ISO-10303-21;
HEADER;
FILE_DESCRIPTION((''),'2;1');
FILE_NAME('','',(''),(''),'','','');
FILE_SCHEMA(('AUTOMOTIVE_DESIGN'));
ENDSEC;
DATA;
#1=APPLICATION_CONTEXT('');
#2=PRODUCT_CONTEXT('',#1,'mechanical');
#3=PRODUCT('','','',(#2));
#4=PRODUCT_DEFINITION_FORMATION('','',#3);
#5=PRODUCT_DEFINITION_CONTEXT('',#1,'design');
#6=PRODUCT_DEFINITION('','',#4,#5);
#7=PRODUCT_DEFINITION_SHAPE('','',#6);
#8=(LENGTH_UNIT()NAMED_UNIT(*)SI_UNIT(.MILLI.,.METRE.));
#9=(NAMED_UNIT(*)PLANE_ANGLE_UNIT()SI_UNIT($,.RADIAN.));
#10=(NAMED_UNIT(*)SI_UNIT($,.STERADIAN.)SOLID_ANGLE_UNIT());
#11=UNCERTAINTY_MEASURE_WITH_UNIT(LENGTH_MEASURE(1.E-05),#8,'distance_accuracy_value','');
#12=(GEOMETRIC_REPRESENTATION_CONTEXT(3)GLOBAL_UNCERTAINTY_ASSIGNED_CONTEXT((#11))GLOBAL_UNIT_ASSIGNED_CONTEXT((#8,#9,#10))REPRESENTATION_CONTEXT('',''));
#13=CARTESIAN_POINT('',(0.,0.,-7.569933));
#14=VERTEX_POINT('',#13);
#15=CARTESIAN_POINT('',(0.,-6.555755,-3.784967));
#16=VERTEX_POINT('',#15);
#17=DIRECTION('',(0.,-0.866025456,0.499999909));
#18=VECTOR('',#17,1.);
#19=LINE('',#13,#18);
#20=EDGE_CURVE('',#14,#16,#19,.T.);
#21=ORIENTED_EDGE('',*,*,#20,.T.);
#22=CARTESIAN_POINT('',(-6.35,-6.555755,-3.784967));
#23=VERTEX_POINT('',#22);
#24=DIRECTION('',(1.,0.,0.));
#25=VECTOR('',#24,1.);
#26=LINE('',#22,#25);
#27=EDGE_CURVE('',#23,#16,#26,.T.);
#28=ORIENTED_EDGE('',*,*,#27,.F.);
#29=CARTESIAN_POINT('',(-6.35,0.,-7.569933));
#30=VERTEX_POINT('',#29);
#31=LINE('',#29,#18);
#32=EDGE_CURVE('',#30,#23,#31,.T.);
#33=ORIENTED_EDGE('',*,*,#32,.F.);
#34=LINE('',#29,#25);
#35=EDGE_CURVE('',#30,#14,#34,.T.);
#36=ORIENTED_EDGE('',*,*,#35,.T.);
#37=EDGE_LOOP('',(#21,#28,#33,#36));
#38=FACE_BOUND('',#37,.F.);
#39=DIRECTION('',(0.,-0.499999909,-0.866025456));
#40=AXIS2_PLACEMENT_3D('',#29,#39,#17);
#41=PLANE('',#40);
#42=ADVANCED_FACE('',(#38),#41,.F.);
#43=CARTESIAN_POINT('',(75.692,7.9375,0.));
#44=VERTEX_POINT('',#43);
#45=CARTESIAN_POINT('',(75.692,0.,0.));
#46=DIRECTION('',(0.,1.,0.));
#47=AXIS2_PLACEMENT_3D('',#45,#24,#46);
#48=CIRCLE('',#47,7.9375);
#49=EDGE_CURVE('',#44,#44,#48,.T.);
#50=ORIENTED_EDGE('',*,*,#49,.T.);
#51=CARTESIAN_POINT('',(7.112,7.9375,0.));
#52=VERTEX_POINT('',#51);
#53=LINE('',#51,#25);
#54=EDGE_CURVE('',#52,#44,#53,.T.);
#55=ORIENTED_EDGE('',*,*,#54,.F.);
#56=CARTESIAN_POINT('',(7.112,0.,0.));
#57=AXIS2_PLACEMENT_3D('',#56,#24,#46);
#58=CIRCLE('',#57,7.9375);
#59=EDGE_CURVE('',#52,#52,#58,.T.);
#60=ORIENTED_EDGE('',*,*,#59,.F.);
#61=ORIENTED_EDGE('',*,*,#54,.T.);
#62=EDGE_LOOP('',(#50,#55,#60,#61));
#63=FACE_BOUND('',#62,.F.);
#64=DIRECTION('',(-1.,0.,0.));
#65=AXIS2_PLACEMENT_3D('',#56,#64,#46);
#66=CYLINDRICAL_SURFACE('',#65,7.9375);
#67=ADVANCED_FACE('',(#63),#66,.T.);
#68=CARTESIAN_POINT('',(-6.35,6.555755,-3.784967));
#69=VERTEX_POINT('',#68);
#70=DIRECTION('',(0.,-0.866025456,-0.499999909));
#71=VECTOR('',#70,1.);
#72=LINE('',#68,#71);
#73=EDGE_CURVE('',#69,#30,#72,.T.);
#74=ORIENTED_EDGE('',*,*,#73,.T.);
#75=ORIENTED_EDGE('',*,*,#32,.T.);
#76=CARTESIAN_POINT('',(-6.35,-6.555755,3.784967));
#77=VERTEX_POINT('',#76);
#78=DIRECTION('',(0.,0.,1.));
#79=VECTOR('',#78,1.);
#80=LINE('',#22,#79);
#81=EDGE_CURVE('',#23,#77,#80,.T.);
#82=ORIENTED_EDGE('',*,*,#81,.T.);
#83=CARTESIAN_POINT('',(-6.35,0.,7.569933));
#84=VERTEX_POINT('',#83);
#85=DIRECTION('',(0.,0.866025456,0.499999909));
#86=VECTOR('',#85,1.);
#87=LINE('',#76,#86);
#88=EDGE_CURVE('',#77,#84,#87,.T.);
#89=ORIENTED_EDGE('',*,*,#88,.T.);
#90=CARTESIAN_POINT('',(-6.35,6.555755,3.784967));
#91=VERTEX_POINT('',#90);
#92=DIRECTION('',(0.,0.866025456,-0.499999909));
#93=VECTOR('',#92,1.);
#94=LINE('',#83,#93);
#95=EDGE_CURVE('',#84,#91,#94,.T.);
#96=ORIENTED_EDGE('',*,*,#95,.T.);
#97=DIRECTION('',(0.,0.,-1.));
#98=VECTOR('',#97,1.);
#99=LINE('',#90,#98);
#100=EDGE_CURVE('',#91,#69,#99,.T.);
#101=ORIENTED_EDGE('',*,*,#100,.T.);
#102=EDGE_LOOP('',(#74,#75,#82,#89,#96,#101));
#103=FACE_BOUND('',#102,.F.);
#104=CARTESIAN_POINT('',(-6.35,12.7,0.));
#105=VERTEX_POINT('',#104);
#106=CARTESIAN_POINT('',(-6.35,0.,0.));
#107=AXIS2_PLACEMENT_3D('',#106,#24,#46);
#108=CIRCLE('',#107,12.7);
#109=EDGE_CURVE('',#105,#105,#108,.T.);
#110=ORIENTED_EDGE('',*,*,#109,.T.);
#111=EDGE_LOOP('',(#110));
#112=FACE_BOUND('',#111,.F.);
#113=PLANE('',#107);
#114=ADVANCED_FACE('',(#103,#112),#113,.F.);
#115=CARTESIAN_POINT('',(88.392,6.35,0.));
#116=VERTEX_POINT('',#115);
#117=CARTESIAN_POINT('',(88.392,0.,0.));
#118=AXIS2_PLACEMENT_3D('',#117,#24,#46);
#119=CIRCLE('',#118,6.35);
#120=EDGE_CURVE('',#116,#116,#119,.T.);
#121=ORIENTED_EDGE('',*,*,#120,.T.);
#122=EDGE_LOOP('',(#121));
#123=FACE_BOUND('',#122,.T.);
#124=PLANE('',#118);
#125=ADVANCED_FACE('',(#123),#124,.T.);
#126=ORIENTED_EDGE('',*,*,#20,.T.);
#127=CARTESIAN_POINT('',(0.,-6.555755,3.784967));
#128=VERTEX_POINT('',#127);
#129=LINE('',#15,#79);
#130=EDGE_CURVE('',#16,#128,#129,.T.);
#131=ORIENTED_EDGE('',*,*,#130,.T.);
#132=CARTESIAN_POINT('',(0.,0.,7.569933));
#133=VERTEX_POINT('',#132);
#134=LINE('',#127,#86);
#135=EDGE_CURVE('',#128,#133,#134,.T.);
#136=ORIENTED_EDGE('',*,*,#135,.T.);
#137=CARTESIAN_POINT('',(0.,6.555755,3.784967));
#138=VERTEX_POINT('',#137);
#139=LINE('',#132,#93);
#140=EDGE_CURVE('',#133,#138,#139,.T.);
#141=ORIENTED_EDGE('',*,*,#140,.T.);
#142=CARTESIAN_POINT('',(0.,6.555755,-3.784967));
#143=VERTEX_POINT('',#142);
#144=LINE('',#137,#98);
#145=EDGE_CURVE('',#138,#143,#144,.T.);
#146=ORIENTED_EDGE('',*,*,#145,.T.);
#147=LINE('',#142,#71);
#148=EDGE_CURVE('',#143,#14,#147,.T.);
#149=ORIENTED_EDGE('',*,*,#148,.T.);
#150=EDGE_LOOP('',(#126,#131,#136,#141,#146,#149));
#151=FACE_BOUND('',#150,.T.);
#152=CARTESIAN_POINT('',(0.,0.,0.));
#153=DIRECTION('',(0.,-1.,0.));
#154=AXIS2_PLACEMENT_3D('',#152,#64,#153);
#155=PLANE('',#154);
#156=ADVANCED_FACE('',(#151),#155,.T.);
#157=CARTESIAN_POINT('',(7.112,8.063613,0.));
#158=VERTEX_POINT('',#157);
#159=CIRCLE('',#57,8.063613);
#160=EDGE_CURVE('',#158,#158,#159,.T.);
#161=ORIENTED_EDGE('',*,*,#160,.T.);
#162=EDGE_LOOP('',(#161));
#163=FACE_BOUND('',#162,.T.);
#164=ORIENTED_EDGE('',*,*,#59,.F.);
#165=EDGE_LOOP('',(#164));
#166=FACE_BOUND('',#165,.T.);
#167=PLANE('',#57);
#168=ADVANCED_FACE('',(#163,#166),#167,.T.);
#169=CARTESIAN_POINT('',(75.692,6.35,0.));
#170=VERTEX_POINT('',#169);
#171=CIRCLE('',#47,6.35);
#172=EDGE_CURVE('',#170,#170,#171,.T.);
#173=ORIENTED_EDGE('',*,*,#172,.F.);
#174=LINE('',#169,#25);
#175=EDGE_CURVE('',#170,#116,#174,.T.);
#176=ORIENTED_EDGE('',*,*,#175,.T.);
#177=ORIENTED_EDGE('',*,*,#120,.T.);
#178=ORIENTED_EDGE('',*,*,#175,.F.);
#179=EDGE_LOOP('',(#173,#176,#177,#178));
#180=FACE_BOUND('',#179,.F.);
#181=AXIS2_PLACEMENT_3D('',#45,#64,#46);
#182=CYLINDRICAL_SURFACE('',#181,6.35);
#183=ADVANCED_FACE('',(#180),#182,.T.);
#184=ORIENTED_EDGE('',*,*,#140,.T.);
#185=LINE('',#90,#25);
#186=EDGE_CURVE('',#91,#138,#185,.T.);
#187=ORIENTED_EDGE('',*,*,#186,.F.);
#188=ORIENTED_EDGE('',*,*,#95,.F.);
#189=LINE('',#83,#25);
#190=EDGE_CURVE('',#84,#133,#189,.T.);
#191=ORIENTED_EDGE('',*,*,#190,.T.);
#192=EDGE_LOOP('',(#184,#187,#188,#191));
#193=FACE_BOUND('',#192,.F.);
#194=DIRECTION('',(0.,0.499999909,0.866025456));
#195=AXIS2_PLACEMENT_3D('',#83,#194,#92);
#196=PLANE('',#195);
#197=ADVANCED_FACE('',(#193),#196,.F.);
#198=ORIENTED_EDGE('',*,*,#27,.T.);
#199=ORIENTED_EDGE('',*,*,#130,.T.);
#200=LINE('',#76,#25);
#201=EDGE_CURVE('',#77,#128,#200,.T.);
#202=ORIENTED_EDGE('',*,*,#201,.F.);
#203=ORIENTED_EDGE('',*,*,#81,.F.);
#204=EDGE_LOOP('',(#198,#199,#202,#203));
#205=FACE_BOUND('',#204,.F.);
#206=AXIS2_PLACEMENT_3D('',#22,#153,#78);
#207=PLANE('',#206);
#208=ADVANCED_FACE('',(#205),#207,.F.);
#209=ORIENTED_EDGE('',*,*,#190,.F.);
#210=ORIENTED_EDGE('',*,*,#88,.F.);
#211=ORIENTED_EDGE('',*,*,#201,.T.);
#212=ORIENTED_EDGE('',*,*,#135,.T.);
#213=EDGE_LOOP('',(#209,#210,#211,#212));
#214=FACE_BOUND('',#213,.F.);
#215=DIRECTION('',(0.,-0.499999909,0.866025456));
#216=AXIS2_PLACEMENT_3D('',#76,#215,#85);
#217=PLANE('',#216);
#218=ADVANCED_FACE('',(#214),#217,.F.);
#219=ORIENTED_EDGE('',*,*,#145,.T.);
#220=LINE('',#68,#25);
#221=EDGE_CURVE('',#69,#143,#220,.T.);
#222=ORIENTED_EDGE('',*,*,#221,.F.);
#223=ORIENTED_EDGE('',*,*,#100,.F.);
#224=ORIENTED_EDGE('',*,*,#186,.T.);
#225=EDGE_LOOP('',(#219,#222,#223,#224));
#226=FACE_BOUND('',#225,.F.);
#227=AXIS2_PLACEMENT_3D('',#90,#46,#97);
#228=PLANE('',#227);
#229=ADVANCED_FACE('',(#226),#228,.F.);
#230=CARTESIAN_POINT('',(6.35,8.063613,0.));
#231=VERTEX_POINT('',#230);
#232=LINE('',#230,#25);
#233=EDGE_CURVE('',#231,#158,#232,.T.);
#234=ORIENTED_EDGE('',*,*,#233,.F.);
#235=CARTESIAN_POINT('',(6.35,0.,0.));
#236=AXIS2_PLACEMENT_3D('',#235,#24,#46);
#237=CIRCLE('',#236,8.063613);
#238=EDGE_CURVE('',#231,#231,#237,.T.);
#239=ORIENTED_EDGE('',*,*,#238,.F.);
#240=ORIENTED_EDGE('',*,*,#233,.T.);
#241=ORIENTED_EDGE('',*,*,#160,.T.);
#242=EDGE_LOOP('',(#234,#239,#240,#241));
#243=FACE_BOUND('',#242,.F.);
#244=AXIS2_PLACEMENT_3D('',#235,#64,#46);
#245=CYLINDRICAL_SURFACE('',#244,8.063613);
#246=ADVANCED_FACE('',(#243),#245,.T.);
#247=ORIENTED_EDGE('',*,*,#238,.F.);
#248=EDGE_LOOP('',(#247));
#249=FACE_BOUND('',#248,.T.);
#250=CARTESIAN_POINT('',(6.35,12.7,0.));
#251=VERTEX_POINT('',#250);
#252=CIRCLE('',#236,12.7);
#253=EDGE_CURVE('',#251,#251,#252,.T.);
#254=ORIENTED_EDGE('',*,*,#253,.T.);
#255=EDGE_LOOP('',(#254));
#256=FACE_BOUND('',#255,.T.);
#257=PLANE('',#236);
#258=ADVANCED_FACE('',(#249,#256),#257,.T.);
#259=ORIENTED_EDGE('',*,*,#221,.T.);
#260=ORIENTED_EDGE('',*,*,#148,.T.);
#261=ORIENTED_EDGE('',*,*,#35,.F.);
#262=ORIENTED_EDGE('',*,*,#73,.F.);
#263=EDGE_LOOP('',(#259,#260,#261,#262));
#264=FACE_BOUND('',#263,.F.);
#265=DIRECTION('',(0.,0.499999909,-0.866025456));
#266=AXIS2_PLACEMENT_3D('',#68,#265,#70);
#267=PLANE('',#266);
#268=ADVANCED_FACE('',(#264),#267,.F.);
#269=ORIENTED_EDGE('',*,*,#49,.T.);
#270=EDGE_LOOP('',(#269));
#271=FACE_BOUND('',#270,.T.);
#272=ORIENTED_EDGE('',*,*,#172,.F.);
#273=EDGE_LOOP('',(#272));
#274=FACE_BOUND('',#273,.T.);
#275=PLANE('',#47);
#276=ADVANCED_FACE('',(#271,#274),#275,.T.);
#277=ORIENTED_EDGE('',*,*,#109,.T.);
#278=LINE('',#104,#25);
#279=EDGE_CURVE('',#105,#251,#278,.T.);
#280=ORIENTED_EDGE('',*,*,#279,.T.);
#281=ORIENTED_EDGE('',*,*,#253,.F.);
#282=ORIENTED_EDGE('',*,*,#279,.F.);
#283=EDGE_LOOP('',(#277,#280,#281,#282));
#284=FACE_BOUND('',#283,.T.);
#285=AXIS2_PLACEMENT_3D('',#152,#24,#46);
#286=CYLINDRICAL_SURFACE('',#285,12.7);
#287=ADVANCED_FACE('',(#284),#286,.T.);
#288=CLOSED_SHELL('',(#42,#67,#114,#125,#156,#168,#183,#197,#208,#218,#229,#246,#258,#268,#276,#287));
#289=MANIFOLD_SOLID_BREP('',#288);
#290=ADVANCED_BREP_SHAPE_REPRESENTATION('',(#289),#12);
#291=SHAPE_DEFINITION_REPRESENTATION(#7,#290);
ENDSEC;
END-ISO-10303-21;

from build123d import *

# Parameters (mm, degrees)
F0_R     = 12.7
F1_DEPTH = 6.35
F2_R     = 8.063613
F3_DEPTH = 0.762
F4_R     = 7.9375
F5_DEPTH = 68.58
F6_R     = 6.35
F7_DEPTH = 12.7
F9_DEPTH = 6.35


with BuildPart() as f1:
    # F0 (on Right) → F1 (new body, symmetric)
    with BuildSketch(Plane.YZ):
        Circle(F0_R)
    extrude(amount=F1_DEPTH, both=True)

    # F2 (on face) → F3 (join)
    with BuildSketch(Plane.YZ.offset(6.35)):
        Circle(F2_R)
    extrude(amount=F3_DEPTH)

    # F4 (on face) → F5 (join)
    with BuildSketch(Plane.YZ.offset(7.112)):
        Circle(F4_R)
    extrude(amount=F5_DEPTH)

    # F6 (on face) → F7 (join)
    with BuildSketch(Plane.YZ.offset(75.692)):
        Circle(F6_R)
    extrude(amount=F7_DEPTH)

    # F8 (on face) → F9 (cut)
    with BuildSketch(Plane(origin=(-6.35, 0, 0), x_dir=(0, -1, 0), z_dir=(-1, 0, 0))):
        Polygon((6.555755, -3.784967), (6.555755, 3.784967), (0, 7.569933), (-6.555755, 3.784967), (-6.555755, -3.784967), (0, -7.569933), align=None)
    extrude(amount=-F9_DEPTH, mode=Mode.SUBTRACT)


solid = f1.part
